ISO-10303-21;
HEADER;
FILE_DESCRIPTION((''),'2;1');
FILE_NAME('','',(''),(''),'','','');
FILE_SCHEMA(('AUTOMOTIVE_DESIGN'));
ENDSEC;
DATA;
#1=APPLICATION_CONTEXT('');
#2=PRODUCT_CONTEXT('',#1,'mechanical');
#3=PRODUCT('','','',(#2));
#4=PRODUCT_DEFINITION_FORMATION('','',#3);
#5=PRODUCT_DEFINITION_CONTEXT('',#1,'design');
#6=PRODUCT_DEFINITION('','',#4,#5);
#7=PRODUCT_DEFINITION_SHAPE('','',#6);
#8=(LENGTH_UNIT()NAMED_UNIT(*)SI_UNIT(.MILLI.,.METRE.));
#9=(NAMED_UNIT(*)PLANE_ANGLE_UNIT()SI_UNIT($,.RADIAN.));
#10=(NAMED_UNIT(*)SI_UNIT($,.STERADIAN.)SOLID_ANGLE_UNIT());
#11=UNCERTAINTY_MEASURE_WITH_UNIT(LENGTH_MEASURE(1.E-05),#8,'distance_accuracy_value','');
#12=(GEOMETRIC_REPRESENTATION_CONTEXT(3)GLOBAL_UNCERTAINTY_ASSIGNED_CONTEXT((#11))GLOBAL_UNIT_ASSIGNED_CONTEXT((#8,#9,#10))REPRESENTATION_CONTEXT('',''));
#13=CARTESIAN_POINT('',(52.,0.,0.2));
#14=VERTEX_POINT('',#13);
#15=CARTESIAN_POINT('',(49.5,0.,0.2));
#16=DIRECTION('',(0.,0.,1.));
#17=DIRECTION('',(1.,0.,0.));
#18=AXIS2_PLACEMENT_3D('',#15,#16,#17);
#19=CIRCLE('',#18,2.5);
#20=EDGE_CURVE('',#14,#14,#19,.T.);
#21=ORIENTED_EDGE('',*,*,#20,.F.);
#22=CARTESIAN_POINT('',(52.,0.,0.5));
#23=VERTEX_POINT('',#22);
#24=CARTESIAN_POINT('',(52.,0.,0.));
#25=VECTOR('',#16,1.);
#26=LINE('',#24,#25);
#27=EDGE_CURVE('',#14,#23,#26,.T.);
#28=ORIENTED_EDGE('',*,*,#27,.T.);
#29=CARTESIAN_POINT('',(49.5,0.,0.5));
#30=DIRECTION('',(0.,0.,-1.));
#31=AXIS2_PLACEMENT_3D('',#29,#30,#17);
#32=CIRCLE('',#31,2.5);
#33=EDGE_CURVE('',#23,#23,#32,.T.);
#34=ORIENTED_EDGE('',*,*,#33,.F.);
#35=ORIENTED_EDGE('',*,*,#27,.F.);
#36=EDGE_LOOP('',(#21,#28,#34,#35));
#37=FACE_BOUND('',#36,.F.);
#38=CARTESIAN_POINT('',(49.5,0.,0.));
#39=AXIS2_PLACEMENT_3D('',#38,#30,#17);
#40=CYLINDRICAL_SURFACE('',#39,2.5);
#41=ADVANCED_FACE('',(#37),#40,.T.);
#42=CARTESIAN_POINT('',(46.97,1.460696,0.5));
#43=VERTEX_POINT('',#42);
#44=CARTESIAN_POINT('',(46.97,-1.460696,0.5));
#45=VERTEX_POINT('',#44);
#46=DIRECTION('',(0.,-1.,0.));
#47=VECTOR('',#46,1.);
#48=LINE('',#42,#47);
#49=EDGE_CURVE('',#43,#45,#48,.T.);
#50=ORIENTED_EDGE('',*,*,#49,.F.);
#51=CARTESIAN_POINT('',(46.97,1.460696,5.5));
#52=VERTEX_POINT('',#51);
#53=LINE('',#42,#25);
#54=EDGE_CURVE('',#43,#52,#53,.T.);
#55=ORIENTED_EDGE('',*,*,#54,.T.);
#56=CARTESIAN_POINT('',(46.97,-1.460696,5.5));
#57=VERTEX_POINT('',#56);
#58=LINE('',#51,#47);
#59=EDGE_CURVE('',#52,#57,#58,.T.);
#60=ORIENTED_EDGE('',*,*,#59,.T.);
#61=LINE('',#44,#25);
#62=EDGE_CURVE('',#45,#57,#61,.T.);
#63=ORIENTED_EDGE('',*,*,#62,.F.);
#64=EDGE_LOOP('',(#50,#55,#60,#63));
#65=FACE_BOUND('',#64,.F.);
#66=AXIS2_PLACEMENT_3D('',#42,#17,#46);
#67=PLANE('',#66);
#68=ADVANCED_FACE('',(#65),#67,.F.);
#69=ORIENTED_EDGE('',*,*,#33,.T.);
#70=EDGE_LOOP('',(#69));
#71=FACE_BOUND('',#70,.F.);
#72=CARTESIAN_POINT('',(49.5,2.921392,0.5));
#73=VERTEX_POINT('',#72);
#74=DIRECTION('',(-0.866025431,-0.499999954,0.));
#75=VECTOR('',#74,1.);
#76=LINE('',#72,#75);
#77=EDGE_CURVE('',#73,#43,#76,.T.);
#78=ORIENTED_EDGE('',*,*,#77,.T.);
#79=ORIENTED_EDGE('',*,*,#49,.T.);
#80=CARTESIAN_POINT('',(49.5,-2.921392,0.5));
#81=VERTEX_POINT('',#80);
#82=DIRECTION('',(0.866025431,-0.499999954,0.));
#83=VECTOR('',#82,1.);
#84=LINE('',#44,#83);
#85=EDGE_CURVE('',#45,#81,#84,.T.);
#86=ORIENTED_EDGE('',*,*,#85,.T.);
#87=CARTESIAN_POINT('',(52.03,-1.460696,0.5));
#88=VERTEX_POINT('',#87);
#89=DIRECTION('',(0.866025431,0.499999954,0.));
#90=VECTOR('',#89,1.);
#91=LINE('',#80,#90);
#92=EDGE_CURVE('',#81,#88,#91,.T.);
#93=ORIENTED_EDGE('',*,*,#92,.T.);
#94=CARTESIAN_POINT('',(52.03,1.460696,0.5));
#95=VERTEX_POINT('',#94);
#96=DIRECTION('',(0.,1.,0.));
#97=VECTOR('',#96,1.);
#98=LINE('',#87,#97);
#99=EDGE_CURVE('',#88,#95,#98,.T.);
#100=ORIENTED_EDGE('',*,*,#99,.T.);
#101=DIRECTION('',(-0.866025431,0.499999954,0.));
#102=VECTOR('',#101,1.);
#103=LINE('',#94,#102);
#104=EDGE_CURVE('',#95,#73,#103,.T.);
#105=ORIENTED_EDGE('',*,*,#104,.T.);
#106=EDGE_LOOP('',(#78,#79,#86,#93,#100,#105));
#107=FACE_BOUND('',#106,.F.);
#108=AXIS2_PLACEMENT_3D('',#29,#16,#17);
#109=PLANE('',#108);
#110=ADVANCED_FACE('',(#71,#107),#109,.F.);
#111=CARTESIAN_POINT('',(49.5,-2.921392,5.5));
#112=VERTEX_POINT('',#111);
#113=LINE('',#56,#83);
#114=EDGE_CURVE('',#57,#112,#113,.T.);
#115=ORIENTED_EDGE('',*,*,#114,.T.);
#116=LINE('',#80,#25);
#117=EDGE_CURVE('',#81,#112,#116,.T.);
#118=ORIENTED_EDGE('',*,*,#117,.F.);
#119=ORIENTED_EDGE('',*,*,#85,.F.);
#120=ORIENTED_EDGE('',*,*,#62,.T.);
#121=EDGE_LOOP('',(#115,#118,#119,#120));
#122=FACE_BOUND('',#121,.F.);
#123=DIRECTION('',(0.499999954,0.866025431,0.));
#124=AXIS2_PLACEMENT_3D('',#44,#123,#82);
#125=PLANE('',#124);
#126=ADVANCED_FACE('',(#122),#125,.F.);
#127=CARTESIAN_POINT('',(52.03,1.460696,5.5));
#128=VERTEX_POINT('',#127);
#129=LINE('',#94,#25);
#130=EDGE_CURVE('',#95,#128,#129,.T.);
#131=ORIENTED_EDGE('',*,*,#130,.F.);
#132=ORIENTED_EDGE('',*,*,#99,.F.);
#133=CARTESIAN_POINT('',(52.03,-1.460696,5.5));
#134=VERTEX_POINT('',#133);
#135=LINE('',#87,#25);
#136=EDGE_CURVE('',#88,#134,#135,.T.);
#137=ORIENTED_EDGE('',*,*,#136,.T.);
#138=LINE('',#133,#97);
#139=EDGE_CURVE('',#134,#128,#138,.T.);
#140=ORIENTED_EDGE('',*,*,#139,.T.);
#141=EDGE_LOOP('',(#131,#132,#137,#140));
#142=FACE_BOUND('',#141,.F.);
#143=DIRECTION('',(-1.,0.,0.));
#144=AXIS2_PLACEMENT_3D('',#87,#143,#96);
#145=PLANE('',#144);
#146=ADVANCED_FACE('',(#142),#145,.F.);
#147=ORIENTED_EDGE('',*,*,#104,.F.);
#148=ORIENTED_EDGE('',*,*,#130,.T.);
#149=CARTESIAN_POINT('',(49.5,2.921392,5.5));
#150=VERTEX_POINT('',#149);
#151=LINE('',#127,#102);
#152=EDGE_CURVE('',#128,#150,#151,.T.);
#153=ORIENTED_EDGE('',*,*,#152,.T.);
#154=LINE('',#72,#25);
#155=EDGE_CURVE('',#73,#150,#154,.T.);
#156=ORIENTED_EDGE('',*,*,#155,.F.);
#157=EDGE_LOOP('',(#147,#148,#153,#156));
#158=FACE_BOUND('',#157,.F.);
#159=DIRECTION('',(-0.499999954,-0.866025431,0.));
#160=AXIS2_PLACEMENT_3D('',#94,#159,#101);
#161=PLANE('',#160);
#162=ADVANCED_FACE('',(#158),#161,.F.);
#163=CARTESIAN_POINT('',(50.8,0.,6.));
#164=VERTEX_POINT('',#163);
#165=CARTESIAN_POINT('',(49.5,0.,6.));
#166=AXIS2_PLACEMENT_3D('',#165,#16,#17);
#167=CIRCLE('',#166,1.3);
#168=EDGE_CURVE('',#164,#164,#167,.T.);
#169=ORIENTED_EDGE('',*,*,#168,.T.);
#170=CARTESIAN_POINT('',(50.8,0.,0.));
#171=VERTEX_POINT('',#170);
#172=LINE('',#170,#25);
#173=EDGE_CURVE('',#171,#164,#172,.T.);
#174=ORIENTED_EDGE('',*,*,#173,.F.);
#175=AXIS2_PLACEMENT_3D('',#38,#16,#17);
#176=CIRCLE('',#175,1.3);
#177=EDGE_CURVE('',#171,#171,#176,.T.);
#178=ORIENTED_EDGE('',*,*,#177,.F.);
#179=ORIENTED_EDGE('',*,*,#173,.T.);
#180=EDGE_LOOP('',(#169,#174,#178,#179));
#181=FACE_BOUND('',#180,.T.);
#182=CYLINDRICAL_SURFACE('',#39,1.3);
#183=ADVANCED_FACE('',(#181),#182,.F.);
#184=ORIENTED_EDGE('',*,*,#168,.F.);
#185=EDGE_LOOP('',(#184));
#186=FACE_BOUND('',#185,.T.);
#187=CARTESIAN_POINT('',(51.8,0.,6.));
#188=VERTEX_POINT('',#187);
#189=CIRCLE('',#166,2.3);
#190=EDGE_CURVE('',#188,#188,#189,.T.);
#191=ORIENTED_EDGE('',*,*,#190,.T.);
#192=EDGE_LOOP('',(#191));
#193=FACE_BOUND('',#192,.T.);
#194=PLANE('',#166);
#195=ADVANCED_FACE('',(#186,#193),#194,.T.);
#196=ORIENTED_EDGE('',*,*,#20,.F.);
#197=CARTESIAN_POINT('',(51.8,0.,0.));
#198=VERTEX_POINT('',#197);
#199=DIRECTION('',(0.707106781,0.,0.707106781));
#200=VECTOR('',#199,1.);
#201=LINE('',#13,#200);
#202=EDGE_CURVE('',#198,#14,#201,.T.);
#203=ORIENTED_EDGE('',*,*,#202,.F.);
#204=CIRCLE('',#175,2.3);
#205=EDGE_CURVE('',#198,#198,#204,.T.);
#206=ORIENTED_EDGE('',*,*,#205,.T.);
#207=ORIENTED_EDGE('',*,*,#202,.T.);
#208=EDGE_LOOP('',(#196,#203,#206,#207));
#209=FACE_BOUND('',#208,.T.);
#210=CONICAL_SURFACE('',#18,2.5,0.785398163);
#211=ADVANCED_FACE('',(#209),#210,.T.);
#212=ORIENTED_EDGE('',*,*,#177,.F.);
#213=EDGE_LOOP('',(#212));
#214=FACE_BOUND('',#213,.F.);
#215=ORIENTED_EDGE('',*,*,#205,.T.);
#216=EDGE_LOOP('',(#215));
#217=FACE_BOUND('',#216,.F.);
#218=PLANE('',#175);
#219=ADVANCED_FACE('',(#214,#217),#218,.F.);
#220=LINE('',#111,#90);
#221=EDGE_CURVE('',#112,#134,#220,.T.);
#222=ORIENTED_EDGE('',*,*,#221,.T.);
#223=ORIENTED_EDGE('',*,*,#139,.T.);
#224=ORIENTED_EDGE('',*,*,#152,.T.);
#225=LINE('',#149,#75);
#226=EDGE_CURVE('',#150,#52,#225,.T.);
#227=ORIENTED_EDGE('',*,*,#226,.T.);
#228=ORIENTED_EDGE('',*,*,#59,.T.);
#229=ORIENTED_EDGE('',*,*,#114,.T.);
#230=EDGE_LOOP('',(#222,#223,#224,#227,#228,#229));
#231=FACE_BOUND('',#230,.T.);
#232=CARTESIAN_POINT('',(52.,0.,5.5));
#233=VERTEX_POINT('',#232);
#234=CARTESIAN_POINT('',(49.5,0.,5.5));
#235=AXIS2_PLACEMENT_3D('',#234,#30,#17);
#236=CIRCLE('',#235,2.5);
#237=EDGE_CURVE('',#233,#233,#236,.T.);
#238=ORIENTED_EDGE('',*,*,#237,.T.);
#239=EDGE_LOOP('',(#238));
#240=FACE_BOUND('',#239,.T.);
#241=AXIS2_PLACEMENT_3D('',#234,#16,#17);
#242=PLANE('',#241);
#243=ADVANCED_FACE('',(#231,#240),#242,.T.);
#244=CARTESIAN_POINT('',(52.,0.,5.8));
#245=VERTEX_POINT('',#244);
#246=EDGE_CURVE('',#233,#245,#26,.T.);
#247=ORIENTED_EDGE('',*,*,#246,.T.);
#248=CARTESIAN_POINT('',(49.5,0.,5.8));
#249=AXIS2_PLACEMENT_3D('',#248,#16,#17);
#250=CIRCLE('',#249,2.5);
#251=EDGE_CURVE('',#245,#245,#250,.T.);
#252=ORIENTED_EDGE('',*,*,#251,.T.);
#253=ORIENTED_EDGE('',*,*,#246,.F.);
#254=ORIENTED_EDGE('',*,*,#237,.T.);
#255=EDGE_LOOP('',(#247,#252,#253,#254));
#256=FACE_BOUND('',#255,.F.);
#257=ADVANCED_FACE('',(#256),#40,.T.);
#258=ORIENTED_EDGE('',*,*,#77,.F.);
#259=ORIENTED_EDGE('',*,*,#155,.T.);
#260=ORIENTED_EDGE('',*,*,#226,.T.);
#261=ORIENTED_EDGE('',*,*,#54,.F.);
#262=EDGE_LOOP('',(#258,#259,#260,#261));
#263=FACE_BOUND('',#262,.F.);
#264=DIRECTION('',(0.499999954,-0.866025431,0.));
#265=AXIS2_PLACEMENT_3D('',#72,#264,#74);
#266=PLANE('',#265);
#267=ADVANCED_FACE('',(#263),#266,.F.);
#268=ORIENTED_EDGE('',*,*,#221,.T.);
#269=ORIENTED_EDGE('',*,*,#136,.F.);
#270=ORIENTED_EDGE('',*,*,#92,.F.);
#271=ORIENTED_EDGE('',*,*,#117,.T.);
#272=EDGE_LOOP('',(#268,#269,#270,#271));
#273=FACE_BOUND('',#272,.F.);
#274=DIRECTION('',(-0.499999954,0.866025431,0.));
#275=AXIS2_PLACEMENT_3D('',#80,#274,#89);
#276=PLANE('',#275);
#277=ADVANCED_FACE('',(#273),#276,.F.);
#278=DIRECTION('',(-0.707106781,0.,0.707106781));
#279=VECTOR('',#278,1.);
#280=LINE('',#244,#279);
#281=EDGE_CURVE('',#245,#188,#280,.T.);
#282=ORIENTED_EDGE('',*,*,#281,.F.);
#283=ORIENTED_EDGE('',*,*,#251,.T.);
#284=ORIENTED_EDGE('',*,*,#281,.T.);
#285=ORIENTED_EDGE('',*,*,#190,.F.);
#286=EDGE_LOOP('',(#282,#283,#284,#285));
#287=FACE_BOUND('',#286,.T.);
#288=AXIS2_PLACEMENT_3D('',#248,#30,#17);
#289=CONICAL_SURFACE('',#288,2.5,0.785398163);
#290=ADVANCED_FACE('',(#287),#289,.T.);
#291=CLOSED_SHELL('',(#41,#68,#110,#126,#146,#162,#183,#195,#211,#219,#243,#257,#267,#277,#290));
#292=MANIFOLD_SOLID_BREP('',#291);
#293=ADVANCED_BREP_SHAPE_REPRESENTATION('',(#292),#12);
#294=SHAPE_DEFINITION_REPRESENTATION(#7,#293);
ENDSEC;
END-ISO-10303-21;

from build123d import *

# Parameters (mm, degrees)
SKETCH003_R     = 2.5
SKETCH003_R_2   = 1.3
PAD003_DEPTH    = 6
SKETCH004_R     = 1.3
PAD004_DEPTH    = 5
CHAMFER001_SIZE = 0.2


with BuildPart() as part:
    # Sketch003 → Pad003 (new body)
    with BuildSketch(Plane.XY):
        Circle(SKETCH003_R)
        Circle(SKETCH003_R_2, mode=Mode.SUBTRACT)
    extrude(amount=PAD003_DEPTH)

    # Sketch004 → Pad004 (join)
    with BuildSketch(Plane.XY.offset(0.5)):
        Polygon((2.53, -1.460696), (2.53, 1.460696), (0, 2.921392), (-2.53, 1.460696), (-2.53, -1.460696), (0, -2.921392), align=None)
        Circle(SKETCH004_R, mode=Mode.SUBTRACT)
    extrude(amount=PAD004_DEPTH)

    # Chamfer001
    chamfer001_edges = [part.edges().sort_by_distance(p)[0] for p in [
        (-2.5, 0, 6),
        (-2.5, 0, 0),
    ]]
    chamfer(chamfer001_edges, length=CHAMFER001_SIZE)


with BuildPart() as part_1:
    # Body002 placement: moved
    add(part.part.moved(Location((49.5, 0, 0))))


solid = part_1.part
